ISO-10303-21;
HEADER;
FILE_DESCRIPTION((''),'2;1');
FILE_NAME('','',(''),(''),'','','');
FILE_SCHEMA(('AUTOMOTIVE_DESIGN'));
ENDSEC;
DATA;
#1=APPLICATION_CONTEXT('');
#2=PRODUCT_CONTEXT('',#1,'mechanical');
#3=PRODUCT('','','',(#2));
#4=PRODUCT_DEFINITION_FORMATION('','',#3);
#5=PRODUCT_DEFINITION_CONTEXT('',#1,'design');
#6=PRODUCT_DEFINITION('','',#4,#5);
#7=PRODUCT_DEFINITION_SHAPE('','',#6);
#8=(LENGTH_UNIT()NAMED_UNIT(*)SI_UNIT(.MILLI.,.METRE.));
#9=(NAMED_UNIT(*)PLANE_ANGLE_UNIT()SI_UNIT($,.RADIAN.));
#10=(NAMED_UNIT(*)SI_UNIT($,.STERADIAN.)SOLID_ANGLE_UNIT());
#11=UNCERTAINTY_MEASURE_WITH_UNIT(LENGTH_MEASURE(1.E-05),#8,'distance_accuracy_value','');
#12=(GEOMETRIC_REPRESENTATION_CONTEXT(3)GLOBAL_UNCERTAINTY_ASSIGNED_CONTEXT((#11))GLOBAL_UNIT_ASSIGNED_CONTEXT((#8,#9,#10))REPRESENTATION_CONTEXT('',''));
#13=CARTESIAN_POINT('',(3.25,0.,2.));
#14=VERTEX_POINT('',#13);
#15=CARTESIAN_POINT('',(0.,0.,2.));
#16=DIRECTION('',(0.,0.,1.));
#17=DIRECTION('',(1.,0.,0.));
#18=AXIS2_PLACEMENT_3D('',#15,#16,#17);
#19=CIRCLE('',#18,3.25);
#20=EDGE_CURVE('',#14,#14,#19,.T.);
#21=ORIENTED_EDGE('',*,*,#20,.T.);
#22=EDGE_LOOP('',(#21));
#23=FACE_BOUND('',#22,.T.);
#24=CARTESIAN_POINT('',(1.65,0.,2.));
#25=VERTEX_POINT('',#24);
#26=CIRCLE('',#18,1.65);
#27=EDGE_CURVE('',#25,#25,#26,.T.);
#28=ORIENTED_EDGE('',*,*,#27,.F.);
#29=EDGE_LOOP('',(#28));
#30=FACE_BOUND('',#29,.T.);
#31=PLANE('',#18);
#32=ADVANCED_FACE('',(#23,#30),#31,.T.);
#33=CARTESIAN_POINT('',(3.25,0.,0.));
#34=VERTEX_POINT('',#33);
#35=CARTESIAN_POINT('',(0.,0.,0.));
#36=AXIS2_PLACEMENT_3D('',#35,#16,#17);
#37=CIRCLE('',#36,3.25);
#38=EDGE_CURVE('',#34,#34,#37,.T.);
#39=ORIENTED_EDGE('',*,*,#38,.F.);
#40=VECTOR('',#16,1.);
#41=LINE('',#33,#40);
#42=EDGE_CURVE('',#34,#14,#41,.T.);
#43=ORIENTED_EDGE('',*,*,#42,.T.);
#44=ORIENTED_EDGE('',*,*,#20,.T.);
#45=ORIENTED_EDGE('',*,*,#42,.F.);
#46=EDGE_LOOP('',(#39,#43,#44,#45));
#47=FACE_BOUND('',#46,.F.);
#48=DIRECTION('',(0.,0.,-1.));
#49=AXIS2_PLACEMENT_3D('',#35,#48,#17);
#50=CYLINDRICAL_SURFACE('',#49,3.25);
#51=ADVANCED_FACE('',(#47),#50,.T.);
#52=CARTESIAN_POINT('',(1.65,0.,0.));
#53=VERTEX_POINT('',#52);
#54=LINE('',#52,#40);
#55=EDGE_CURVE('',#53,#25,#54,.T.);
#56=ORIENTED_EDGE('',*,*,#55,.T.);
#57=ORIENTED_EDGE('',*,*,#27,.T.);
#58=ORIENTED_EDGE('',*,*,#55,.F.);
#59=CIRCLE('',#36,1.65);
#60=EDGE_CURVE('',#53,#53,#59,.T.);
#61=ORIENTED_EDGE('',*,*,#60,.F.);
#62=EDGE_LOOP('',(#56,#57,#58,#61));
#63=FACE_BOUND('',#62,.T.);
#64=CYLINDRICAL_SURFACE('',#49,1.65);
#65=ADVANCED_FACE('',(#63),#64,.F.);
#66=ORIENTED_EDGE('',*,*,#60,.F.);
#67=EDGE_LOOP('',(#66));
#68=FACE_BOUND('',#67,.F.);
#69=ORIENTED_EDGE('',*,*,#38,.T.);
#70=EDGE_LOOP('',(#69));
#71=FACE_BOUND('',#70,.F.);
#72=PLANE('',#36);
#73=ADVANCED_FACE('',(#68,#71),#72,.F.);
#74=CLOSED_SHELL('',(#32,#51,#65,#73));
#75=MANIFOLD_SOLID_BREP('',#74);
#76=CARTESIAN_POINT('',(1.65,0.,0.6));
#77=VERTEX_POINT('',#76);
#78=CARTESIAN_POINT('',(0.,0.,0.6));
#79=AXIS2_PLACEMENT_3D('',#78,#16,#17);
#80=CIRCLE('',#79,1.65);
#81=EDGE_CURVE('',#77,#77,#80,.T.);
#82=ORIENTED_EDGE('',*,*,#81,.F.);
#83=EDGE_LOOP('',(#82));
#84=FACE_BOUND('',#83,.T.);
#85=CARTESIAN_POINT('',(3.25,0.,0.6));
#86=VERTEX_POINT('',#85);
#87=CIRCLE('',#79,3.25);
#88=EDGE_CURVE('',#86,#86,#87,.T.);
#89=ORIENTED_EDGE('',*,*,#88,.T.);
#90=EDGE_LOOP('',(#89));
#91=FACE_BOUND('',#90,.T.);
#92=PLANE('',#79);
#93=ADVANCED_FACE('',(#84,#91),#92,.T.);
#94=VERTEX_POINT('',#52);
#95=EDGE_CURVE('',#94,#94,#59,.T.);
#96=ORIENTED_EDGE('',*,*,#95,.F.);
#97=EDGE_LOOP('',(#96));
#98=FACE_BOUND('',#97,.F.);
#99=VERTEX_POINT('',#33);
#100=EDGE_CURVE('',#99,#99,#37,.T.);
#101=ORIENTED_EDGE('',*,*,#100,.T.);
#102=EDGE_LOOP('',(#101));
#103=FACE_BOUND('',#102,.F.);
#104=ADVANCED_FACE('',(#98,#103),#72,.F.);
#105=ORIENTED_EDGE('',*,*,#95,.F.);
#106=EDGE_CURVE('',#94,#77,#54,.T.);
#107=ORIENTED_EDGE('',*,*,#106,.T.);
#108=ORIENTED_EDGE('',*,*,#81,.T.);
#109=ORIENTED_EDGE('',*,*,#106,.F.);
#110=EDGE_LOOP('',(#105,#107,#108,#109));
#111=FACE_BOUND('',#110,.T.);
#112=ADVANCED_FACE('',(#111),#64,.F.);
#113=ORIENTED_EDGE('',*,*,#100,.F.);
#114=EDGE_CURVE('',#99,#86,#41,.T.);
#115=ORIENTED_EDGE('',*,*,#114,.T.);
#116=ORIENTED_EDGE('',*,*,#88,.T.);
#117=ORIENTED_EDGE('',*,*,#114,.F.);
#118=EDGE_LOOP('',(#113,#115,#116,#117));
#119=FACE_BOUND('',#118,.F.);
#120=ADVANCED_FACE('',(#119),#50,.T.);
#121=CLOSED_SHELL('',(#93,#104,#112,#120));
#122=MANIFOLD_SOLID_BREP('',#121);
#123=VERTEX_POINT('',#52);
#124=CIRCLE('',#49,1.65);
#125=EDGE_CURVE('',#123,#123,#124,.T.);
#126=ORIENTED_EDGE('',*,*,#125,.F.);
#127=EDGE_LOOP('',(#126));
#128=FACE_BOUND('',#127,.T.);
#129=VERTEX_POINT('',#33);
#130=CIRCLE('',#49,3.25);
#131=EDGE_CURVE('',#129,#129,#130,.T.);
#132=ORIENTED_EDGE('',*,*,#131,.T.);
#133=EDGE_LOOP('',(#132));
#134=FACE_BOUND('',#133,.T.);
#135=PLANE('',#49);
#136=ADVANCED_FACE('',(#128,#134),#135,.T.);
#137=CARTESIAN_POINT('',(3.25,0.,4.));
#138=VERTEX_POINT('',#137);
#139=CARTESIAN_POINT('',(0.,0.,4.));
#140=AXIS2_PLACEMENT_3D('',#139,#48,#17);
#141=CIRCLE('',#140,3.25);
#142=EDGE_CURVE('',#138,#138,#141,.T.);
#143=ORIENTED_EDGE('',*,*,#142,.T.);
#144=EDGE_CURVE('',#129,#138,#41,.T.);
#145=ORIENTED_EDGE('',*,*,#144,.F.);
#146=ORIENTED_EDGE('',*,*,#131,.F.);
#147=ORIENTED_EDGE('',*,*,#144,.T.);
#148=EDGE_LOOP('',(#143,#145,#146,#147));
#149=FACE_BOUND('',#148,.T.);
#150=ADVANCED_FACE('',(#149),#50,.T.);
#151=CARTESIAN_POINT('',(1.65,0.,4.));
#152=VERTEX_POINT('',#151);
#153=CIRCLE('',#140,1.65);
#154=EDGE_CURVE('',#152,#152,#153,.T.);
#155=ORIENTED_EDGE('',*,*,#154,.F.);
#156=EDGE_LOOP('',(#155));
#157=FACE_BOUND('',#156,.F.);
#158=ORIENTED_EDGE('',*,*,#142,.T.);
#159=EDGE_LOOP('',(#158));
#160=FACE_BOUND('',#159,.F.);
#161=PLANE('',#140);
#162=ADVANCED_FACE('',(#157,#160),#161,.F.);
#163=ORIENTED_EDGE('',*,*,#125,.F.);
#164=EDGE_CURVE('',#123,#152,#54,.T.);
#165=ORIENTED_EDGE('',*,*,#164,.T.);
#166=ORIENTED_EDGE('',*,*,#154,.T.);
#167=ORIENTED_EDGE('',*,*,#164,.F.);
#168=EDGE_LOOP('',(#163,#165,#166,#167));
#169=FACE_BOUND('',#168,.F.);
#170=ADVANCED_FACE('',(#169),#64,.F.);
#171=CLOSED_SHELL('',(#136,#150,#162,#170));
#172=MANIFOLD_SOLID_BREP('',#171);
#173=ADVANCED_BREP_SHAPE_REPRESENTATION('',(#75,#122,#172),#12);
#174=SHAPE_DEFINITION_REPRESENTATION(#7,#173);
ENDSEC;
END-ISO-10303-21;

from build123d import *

# Parameters (mm, degrees)
F0_R        = 3.25
F0_R_2      = 1.65
F1_DEPTH    = 0.6
F2_DEPTH    = 2
F2_FACE_R   = 3.25
F2_FACE_R_2 = 1.65
F3_DEPTH    = 4


with BuildPart() as f1:
    # F0 (on Top) → F1 (new body)
    with BuildSketch(Plane.XY):
        Circle(F0_R)
        Circle(F0_R_2, mode=Mode.SUBTRACT)
    extrude(amount=F1_DEPTH)


with BuildPart() as f2:
    # F0 (on Top) → F2 (new body)
    with BuildSketch(Plane.XY):
        Circle(F0_R)
        Circle(F0_R_2, mode=Mode.SUBTRACT)
    extrude(amount=F2_DEPTH)


with BuildPart() as f3:
    # F2_face (on face) → F3 (new body)
    with BuildSketch(Plane(origin=(0, 0, 0), x_dir=(1, 0, 0), z_dir=(0, 0, -1))):
        Circle(F2_FACE_R)
        Circle(F2_FACE_R_2, mode=Mode.SUBTRACT)
    extrude(amount=-F3_DEPTH)


solid = Compound([f1.part, f2.part, f3.part])
